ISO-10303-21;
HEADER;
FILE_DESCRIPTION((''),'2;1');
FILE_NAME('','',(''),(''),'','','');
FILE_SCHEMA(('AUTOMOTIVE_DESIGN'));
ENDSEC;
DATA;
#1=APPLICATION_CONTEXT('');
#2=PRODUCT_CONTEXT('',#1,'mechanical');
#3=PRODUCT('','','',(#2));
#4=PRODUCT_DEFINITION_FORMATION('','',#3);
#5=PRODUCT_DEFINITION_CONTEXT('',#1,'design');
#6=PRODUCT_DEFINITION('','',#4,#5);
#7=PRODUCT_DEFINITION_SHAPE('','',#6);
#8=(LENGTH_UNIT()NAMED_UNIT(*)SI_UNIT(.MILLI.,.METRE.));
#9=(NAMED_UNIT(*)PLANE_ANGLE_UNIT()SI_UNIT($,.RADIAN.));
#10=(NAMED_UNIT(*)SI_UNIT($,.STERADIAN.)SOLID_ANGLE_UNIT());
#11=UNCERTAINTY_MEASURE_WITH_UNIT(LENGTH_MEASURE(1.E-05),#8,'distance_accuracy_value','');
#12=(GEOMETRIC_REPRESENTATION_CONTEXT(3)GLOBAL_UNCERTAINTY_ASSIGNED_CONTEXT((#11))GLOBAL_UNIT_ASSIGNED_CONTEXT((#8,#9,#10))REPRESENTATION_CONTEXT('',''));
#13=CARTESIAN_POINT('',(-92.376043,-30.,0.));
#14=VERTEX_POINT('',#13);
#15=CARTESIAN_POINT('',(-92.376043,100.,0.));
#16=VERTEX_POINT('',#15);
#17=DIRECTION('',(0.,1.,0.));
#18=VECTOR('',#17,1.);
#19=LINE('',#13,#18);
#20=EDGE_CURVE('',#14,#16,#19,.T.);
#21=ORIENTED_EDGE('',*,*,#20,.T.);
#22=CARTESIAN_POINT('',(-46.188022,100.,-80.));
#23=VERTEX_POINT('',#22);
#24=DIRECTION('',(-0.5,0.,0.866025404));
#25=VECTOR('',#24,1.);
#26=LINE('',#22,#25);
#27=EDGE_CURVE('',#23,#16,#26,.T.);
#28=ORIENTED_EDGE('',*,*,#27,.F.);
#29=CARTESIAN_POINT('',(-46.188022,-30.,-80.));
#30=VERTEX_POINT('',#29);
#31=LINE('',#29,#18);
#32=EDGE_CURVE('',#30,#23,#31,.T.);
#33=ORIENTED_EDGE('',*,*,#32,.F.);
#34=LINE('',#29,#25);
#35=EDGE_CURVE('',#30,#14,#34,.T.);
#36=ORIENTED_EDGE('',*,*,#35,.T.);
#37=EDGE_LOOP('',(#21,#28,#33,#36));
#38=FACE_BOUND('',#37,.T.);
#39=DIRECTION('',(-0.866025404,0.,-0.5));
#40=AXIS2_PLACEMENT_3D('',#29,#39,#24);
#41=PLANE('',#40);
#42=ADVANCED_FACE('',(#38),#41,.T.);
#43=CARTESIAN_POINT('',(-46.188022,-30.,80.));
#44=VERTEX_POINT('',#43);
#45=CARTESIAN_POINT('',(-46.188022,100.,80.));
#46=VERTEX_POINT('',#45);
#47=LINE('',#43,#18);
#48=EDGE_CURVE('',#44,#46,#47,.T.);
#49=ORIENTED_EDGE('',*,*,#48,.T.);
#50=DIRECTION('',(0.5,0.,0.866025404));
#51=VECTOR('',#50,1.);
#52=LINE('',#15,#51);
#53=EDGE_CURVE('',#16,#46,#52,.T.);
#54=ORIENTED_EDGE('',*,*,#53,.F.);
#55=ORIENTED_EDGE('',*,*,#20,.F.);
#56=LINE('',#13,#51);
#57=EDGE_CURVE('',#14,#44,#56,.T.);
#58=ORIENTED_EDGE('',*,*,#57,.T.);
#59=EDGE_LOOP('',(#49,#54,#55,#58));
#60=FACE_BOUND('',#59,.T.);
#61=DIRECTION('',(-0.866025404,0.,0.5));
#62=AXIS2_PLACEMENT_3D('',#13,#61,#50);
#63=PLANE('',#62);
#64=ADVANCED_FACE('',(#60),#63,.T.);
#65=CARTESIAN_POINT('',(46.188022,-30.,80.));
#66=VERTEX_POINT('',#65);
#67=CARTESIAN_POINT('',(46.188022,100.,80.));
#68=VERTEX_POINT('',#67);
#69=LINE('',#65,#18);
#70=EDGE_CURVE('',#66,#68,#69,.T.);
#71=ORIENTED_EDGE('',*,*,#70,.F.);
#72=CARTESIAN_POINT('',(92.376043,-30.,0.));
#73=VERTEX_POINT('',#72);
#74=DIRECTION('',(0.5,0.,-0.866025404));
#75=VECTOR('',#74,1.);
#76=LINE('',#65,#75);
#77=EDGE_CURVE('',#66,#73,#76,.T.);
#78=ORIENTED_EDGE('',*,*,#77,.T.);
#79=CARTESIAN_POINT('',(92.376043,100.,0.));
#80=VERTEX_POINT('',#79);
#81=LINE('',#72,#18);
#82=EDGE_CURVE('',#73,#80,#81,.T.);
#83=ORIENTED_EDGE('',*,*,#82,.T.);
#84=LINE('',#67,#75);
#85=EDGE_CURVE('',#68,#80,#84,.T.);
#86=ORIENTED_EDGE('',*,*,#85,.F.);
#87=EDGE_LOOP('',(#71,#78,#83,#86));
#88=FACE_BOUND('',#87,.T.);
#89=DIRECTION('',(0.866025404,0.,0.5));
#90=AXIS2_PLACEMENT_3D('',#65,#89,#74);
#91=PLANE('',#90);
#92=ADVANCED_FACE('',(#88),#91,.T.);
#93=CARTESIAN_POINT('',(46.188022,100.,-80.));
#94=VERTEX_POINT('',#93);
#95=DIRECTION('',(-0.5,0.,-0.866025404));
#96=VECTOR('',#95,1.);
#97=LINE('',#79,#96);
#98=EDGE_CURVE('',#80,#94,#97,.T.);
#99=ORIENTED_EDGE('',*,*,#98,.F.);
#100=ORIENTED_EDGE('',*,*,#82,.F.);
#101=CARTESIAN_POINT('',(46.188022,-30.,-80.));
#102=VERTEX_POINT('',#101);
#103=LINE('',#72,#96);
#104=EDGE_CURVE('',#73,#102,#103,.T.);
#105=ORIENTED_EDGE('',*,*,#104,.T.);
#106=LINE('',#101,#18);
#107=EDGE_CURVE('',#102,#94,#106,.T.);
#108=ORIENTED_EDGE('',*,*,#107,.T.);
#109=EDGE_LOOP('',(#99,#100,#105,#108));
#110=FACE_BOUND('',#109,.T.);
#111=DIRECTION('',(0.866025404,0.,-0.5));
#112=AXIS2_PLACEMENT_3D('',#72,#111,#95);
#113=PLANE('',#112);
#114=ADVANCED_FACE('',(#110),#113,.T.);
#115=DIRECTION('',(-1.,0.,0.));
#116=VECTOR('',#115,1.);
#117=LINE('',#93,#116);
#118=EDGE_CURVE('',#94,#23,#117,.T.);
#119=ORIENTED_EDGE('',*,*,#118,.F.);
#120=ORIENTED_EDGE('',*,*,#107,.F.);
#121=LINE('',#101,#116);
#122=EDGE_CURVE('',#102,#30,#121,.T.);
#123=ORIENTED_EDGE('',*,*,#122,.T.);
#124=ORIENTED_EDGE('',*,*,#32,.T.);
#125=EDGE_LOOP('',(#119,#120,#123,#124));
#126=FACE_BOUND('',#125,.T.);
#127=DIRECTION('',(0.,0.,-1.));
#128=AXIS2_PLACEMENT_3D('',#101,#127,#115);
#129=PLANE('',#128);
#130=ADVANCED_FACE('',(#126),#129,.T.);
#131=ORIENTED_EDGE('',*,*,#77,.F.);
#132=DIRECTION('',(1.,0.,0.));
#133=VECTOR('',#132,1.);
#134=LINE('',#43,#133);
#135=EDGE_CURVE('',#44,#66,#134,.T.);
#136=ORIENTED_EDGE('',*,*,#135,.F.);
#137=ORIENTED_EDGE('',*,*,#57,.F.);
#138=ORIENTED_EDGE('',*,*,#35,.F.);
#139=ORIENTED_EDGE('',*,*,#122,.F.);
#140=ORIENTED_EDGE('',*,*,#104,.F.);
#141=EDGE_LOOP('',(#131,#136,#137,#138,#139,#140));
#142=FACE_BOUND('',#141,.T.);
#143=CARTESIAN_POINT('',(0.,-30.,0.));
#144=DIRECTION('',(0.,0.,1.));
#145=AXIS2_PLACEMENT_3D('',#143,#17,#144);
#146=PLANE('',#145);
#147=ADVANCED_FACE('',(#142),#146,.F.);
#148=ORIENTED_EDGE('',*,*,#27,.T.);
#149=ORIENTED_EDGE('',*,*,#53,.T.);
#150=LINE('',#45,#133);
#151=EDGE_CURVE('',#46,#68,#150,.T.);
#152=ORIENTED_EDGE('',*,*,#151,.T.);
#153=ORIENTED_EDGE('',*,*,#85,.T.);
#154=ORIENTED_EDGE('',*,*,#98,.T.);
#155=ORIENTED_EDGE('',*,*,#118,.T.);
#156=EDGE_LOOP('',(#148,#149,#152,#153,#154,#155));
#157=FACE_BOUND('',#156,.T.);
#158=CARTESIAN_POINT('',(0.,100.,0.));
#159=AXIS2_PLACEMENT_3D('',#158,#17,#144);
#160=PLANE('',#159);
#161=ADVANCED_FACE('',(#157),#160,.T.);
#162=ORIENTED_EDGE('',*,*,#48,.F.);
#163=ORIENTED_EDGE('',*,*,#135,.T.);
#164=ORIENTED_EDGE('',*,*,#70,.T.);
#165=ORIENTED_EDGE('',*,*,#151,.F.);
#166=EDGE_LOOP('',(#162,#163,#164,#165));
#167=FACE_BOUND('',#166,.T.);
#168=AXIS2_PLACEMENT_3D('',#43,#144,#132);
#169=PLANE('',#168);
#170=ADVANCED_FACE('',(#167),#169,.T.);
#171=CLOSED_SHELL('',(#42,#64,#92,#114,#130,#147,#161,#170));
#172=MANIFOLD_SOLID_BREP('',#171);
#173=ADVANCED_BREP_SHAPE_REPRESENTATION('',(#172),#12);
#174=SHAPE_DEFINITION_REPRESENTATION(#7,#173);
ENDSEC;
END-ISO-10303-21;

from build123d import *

# Parameters (mm, degrees)
EXTRUDE_1_DEPTH      = 100
EXTRUDE_1_DEPTH_BACK = 30


with BuildPart() as part:
    # 草图1 → 凸台-拉伸1 (new, two sides: drawn at the far end of the back side and taken through both)
    with BuildSketch(Plane(origin=(0, 0, 0), x_dir=(1, 0, 0), z_dir=(0, 1, 0)).offset(-EXTRUDE_1_DEPTH_BACK)):
        Polygon((92.37604307, 0), (46.188021535, 80), (-46.188021535, 80), (-92.37604307, 0), (-46.188021535, -80), (46.188021535, -80), align=None)
    extrude(amount=EXTRUDE_1_DEPTH + EXTRUDE_1_DEPTH_BACK)


solid = part.part
